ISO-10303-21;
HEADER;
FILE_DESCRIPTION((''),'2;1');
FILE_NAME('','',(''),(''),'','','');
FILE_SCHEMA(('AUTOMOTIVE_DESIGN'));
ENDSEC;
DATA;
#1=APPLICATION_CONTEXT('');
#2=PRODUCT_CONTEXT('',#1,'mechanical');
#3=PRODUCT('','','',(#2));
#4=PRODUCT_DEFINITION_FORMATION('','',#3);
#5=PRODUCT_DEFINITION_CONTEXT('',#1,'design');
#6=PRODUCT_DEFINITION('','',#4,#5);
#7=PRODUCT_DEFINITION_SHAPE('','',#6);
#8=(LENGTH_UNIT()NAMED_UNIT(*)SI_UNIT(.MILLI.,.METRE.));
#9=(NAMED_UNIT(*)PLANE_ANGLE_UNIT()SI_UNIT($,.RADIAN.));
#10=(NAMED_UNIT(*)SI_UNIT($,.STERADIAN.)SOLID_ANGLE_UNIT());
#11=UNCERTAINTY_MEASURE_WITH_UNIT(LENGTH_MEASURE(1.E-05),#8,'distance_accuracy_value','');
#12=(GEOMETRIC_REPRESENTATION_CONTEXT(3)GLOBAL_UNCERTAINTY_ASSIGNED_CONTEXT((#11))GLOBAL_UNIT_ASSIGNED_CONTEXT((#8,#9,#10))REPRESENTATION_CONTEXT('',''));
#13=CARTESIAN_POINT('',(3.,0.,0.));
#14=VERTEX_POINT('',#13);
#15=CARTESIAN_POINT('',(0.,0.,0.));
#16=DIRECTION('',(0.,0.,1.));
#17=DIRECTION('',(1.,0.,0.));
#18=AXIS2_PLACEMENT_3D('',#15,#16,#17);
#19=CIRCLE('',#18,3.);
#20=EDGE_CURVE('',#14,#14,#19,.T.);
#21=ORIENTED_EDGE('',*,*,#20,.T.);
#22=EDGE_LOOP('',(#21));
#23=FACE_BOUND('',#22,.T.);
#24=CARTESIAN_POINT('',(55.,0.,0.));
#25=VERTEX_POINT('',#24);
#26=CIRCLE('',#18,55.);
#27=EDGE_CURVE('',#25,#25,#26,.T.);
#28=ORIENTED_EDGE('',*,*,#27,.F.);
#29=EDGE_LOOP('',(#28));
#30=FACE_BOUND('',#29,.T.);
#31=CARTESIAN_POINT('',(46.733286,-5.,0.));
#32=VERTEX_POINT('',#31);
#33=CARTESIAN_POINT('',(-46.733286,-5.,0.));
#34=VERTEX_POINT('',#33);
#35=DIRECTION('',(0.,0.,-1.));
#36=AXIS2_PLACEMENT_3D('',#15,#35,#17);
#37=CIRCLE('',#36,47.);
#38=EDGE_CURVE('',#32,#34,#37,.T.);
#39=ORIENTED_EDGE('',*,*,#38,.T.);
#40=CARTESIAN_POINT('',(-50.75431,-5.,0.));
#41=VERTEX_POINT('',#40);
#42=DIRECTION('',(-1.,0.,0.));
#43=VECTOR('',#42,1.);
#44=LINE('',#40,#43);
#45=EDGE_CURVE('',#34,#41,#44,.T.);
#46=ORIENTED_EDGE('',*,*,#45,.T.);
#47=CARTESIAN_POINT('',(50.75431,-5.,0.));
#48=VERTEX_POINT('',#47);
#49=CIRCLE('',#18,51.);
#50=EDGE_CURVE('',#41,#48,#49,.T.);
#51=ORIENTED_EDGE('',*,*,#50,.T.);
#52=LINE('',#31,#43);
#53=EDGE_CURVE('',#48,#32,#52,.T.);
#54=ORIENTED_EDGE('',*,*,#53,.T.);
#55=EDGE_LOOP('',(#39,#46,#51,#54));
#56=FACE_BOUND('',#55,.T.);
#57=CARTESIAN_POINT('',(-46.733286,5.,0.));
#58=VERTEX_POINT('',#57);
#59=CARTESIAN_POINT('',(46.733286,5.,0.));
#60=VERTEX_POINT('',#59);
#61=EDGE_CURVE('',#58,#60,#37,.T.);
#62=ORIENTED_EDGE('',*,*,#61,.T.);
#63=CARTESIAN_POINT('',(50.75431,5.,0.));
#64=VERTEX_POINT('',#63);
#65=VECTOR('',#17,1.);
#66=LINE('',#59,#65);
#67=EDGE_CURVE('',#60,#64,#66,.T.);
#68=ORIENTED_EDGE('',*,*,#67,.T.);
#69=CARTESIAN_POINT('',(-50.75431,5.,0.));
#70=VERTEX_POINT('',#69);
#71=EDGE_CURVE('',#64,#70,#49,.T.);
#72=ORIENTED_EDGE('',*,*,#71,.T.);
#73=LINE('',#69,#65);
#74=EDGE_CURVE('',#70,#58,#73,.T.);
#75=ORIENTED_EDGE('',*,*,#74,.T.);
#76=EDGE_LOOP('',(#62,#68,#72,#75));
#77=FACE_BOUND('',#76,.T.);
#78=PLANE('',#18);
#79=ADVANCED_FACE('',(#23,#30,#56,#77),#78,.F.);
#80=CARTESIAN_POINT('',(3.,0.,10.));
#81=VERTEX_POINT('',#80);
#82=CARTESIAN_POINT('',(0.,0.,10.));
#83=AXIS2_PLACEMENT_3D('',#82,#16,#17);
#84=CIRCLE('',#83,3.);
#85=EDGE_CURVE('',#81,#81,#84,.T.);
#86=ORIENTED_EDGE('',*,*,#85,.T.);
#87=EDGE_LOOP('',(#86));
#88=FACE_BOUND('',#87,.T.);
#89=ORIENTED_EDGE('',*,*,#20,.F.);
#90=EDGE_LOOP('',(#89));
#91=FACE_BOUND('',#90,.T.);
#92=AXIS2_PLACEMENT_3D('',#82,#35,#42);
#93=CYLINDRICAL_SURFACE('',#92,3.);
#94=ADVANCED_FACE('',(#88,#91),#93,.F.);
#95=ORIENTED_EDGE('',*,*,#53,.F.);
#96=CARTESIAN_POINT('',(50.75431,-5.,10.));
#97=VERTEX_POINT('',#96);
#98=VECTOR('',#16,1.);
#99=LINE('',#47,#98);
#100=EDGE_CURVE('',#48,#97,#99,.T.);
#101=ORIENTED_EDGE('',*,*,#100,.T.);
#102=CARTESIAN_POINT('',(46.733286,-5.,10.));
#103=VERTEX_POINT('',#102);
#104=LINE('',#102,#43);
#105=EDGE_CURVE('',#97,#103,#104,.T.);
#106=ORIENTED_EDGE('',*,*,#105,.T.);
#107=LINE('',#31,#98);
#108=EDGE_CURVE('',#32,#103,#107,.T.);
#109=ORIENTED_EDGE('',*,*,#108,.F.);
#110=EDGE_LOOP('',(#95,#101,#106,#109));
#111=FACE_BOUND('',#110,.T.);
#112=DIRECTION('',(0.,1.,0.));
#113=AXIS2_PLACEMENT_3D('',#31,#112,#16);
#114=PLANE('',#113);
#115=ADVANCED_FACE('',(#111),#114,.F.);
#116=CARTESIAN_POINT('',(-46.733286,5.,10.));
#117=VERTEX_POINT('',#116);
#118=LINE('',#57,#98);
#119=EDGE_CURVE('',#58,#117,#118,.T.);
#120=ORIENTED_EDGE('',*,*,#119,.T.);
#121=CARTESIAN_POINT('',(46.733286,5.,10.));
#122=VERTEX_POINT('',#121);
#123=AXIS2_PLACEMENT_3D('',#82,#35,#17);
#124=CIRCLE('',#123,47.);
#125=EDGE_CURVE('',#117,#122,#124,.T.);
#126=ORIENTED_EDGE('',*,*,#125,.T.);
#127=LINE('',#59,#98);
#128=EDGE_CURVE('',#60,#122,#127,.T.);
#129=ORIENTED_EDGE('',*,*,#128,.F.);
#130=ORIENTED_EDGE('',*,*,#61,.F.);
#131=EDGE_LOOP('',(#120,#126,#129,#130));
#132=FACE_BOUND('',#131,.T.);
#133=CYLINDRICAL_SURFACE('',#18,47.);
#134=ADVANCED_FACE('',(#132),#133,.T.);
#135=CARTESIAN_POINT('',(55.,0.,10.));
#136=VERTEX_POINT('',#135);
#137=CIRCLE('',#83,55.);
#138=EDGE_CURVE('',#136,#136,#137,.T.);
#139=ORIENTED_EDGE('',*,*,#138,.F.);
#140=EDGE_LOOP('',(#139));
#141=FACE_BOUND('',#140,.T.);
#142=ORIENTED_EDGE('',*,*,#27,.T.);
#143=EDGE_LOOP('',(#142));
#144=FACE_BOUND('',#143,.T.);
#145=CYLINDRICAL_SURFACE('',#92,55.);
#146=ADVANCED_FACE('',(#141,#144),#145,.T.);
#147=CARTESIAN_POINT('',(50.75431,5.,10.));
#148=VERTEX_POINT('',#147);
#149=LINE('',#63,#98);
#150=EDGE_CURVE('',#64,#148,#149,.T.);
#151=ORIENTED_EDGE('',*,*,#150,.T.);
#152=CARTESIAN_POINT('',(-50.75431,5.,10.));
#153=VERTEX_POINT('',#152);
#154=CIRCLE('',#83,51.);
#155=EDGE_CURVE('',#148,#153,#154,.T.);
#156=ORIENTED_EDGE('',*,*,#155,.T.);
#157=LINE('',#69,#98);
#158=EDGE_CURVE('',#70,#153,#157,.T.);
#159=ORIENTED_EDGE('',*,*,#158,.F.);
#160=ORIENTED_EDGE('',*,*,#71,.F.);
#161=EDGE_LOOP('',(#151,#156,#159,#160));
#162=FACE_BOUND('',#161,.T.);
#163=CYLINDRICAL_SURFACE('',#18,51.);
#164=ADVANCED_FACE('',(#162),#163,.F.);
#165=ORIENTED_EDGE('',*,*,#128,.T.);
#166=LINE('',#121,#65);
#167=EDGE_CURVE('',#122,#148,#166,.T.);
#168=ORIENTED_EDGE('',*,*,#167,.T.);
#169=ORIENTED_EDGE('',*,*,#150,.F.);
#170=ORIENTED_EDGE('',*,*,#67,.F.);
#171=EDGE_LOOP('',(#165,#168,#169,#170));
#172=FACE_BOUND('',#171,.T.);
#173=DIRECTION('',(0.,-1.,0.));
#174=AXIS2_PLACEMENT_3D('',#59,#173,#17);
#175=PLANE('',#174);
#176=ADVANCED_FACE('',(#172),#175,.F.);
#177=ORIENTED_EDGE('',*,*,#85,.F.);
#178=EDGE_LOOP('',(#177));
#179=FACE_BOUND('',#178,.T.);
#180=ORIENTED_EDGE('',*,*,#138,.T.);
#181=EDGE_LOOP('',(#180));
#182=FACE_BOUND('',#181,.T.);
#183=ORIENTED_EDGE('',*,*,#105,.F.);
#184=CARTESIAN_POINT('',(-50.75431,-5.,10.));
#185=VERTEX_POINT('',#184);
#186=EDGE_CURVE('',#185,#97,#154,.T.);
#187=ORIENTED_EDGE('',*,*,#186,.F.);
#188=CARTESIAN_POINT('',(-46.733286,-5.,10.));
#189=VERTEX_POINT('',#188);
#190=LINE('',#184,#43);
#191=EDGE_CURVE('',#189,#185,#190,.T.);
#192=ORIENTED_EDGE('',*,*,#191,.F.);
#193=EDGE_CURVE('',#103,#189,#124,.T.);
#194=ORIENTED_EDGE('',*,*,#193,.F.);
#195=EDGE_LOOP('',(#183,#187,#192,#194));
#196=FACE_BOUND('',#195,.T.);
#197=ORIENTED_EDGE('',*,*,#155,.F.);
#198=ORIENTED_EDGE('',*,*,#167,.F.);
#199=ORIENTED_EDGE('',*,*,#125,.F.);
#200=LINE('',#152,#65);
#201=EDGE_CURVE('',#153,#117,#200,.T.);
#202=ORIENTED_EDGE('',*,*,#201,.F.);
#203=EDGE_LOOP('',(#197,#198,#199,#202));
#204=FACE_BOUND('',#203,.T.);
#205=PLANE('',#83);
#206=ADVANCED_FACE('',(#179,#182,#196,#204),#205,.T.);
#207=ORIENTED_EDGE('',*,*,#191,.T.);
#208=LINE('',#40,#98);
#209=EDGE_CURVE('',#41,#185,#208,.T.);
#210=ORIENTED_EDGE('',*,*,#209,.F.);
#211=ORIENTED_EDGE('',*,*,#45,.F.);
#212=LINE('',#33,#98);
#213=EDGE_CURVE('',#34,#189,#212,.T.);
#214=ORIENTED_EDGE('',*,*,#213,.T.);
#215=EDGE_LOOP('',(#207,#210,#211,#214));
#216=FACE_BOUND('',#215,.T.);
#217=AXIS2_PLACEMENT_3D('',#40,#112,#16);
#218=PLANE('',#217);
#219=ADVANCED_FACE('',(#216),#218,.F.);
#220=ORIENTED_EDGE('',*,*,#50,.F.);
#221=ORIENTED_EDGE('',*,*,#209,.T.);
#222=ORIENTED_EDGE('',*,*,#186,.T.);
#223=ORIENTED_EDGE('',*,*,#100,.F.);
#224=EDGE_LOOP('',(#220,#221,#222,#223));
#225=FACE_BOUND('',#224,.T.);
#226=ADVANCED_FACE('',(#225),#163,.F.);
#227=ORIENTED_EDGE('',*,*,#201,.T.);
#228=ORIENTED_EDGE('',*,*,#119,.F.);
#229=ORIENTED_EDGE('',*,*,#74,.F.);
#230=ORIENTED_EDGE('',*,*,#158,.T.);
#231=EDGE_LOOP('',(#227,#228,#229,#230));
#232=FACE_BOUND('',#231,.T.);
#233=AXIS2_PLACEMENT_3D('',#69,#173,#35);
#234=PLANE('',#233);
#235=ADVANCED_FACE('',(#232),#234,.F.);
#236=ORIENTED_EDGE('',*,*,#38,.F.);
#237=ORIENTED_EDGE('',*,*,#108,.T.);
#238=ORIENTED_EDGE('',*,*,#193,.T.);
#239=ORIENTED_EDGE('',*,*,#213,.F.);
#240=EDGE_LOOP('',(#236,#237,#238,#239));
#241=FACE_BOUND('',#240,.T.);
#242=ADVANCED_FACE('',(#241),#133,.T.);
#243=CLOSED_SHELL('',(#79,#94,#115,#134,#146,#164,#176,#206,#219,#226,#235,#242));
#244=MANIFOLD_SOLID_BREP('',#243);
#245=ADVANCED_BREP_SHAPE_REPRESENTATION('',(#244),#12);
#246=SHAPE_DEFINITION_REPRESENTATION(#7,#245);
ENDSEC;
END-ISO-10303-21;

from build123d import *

# Parameters (mm, degrees)
SKETCH1_R           = 55
SKETCH1_R_2         = 3
BOSS_EXTRUDE1_DEPTH = 10
CUT_EXTRUDE1_DEPTH  = 10


with BuildPart() as part:
    # Sketch1 → Boss-Extrude1 (new body)
    with BuildSketch(Plane.XY):
        Circle(SKETCH1_R)
        Circle(SKETCH1_R_2, mode=Mode.SUBTRACT)
    extrude(amount=BOSS_EXTRUDE1_DEPTH)

    # Sketch2 → Cut-Extrude1 (cut)
    with BuildSketch(Plane.XY.offset(10)):
        with BuildLine():
            Line((-50.754310162, -5), (-46.733285782, -5))
            ThreePointArc((-46.733285782, -5), (0, -47), (46.733285782, -5))
            Line((46.733285782, -5), (50.754310162, -5))
            ThreePointArc((50.754310162, -5), (0, -51), (-50.754310162, -5))
        make_face()
        with BuildLine():
            Line((-50.754310162, 5), (-46.733285782, 5))
            ThreePointArc((-46.733285782, 5), (0, 47), (46.733285782, 5))
            Line((46.733285782, 5), (50.754310162, 5))
            ThreePointArc((50.754310162, 5), (0, 51), (-50.754310162, 5))
        make_face()
    extrude(amount=-CUT_EXTRUDE1_DEPTH, mode=Mode.SUBTRACT)


solid = part.part
